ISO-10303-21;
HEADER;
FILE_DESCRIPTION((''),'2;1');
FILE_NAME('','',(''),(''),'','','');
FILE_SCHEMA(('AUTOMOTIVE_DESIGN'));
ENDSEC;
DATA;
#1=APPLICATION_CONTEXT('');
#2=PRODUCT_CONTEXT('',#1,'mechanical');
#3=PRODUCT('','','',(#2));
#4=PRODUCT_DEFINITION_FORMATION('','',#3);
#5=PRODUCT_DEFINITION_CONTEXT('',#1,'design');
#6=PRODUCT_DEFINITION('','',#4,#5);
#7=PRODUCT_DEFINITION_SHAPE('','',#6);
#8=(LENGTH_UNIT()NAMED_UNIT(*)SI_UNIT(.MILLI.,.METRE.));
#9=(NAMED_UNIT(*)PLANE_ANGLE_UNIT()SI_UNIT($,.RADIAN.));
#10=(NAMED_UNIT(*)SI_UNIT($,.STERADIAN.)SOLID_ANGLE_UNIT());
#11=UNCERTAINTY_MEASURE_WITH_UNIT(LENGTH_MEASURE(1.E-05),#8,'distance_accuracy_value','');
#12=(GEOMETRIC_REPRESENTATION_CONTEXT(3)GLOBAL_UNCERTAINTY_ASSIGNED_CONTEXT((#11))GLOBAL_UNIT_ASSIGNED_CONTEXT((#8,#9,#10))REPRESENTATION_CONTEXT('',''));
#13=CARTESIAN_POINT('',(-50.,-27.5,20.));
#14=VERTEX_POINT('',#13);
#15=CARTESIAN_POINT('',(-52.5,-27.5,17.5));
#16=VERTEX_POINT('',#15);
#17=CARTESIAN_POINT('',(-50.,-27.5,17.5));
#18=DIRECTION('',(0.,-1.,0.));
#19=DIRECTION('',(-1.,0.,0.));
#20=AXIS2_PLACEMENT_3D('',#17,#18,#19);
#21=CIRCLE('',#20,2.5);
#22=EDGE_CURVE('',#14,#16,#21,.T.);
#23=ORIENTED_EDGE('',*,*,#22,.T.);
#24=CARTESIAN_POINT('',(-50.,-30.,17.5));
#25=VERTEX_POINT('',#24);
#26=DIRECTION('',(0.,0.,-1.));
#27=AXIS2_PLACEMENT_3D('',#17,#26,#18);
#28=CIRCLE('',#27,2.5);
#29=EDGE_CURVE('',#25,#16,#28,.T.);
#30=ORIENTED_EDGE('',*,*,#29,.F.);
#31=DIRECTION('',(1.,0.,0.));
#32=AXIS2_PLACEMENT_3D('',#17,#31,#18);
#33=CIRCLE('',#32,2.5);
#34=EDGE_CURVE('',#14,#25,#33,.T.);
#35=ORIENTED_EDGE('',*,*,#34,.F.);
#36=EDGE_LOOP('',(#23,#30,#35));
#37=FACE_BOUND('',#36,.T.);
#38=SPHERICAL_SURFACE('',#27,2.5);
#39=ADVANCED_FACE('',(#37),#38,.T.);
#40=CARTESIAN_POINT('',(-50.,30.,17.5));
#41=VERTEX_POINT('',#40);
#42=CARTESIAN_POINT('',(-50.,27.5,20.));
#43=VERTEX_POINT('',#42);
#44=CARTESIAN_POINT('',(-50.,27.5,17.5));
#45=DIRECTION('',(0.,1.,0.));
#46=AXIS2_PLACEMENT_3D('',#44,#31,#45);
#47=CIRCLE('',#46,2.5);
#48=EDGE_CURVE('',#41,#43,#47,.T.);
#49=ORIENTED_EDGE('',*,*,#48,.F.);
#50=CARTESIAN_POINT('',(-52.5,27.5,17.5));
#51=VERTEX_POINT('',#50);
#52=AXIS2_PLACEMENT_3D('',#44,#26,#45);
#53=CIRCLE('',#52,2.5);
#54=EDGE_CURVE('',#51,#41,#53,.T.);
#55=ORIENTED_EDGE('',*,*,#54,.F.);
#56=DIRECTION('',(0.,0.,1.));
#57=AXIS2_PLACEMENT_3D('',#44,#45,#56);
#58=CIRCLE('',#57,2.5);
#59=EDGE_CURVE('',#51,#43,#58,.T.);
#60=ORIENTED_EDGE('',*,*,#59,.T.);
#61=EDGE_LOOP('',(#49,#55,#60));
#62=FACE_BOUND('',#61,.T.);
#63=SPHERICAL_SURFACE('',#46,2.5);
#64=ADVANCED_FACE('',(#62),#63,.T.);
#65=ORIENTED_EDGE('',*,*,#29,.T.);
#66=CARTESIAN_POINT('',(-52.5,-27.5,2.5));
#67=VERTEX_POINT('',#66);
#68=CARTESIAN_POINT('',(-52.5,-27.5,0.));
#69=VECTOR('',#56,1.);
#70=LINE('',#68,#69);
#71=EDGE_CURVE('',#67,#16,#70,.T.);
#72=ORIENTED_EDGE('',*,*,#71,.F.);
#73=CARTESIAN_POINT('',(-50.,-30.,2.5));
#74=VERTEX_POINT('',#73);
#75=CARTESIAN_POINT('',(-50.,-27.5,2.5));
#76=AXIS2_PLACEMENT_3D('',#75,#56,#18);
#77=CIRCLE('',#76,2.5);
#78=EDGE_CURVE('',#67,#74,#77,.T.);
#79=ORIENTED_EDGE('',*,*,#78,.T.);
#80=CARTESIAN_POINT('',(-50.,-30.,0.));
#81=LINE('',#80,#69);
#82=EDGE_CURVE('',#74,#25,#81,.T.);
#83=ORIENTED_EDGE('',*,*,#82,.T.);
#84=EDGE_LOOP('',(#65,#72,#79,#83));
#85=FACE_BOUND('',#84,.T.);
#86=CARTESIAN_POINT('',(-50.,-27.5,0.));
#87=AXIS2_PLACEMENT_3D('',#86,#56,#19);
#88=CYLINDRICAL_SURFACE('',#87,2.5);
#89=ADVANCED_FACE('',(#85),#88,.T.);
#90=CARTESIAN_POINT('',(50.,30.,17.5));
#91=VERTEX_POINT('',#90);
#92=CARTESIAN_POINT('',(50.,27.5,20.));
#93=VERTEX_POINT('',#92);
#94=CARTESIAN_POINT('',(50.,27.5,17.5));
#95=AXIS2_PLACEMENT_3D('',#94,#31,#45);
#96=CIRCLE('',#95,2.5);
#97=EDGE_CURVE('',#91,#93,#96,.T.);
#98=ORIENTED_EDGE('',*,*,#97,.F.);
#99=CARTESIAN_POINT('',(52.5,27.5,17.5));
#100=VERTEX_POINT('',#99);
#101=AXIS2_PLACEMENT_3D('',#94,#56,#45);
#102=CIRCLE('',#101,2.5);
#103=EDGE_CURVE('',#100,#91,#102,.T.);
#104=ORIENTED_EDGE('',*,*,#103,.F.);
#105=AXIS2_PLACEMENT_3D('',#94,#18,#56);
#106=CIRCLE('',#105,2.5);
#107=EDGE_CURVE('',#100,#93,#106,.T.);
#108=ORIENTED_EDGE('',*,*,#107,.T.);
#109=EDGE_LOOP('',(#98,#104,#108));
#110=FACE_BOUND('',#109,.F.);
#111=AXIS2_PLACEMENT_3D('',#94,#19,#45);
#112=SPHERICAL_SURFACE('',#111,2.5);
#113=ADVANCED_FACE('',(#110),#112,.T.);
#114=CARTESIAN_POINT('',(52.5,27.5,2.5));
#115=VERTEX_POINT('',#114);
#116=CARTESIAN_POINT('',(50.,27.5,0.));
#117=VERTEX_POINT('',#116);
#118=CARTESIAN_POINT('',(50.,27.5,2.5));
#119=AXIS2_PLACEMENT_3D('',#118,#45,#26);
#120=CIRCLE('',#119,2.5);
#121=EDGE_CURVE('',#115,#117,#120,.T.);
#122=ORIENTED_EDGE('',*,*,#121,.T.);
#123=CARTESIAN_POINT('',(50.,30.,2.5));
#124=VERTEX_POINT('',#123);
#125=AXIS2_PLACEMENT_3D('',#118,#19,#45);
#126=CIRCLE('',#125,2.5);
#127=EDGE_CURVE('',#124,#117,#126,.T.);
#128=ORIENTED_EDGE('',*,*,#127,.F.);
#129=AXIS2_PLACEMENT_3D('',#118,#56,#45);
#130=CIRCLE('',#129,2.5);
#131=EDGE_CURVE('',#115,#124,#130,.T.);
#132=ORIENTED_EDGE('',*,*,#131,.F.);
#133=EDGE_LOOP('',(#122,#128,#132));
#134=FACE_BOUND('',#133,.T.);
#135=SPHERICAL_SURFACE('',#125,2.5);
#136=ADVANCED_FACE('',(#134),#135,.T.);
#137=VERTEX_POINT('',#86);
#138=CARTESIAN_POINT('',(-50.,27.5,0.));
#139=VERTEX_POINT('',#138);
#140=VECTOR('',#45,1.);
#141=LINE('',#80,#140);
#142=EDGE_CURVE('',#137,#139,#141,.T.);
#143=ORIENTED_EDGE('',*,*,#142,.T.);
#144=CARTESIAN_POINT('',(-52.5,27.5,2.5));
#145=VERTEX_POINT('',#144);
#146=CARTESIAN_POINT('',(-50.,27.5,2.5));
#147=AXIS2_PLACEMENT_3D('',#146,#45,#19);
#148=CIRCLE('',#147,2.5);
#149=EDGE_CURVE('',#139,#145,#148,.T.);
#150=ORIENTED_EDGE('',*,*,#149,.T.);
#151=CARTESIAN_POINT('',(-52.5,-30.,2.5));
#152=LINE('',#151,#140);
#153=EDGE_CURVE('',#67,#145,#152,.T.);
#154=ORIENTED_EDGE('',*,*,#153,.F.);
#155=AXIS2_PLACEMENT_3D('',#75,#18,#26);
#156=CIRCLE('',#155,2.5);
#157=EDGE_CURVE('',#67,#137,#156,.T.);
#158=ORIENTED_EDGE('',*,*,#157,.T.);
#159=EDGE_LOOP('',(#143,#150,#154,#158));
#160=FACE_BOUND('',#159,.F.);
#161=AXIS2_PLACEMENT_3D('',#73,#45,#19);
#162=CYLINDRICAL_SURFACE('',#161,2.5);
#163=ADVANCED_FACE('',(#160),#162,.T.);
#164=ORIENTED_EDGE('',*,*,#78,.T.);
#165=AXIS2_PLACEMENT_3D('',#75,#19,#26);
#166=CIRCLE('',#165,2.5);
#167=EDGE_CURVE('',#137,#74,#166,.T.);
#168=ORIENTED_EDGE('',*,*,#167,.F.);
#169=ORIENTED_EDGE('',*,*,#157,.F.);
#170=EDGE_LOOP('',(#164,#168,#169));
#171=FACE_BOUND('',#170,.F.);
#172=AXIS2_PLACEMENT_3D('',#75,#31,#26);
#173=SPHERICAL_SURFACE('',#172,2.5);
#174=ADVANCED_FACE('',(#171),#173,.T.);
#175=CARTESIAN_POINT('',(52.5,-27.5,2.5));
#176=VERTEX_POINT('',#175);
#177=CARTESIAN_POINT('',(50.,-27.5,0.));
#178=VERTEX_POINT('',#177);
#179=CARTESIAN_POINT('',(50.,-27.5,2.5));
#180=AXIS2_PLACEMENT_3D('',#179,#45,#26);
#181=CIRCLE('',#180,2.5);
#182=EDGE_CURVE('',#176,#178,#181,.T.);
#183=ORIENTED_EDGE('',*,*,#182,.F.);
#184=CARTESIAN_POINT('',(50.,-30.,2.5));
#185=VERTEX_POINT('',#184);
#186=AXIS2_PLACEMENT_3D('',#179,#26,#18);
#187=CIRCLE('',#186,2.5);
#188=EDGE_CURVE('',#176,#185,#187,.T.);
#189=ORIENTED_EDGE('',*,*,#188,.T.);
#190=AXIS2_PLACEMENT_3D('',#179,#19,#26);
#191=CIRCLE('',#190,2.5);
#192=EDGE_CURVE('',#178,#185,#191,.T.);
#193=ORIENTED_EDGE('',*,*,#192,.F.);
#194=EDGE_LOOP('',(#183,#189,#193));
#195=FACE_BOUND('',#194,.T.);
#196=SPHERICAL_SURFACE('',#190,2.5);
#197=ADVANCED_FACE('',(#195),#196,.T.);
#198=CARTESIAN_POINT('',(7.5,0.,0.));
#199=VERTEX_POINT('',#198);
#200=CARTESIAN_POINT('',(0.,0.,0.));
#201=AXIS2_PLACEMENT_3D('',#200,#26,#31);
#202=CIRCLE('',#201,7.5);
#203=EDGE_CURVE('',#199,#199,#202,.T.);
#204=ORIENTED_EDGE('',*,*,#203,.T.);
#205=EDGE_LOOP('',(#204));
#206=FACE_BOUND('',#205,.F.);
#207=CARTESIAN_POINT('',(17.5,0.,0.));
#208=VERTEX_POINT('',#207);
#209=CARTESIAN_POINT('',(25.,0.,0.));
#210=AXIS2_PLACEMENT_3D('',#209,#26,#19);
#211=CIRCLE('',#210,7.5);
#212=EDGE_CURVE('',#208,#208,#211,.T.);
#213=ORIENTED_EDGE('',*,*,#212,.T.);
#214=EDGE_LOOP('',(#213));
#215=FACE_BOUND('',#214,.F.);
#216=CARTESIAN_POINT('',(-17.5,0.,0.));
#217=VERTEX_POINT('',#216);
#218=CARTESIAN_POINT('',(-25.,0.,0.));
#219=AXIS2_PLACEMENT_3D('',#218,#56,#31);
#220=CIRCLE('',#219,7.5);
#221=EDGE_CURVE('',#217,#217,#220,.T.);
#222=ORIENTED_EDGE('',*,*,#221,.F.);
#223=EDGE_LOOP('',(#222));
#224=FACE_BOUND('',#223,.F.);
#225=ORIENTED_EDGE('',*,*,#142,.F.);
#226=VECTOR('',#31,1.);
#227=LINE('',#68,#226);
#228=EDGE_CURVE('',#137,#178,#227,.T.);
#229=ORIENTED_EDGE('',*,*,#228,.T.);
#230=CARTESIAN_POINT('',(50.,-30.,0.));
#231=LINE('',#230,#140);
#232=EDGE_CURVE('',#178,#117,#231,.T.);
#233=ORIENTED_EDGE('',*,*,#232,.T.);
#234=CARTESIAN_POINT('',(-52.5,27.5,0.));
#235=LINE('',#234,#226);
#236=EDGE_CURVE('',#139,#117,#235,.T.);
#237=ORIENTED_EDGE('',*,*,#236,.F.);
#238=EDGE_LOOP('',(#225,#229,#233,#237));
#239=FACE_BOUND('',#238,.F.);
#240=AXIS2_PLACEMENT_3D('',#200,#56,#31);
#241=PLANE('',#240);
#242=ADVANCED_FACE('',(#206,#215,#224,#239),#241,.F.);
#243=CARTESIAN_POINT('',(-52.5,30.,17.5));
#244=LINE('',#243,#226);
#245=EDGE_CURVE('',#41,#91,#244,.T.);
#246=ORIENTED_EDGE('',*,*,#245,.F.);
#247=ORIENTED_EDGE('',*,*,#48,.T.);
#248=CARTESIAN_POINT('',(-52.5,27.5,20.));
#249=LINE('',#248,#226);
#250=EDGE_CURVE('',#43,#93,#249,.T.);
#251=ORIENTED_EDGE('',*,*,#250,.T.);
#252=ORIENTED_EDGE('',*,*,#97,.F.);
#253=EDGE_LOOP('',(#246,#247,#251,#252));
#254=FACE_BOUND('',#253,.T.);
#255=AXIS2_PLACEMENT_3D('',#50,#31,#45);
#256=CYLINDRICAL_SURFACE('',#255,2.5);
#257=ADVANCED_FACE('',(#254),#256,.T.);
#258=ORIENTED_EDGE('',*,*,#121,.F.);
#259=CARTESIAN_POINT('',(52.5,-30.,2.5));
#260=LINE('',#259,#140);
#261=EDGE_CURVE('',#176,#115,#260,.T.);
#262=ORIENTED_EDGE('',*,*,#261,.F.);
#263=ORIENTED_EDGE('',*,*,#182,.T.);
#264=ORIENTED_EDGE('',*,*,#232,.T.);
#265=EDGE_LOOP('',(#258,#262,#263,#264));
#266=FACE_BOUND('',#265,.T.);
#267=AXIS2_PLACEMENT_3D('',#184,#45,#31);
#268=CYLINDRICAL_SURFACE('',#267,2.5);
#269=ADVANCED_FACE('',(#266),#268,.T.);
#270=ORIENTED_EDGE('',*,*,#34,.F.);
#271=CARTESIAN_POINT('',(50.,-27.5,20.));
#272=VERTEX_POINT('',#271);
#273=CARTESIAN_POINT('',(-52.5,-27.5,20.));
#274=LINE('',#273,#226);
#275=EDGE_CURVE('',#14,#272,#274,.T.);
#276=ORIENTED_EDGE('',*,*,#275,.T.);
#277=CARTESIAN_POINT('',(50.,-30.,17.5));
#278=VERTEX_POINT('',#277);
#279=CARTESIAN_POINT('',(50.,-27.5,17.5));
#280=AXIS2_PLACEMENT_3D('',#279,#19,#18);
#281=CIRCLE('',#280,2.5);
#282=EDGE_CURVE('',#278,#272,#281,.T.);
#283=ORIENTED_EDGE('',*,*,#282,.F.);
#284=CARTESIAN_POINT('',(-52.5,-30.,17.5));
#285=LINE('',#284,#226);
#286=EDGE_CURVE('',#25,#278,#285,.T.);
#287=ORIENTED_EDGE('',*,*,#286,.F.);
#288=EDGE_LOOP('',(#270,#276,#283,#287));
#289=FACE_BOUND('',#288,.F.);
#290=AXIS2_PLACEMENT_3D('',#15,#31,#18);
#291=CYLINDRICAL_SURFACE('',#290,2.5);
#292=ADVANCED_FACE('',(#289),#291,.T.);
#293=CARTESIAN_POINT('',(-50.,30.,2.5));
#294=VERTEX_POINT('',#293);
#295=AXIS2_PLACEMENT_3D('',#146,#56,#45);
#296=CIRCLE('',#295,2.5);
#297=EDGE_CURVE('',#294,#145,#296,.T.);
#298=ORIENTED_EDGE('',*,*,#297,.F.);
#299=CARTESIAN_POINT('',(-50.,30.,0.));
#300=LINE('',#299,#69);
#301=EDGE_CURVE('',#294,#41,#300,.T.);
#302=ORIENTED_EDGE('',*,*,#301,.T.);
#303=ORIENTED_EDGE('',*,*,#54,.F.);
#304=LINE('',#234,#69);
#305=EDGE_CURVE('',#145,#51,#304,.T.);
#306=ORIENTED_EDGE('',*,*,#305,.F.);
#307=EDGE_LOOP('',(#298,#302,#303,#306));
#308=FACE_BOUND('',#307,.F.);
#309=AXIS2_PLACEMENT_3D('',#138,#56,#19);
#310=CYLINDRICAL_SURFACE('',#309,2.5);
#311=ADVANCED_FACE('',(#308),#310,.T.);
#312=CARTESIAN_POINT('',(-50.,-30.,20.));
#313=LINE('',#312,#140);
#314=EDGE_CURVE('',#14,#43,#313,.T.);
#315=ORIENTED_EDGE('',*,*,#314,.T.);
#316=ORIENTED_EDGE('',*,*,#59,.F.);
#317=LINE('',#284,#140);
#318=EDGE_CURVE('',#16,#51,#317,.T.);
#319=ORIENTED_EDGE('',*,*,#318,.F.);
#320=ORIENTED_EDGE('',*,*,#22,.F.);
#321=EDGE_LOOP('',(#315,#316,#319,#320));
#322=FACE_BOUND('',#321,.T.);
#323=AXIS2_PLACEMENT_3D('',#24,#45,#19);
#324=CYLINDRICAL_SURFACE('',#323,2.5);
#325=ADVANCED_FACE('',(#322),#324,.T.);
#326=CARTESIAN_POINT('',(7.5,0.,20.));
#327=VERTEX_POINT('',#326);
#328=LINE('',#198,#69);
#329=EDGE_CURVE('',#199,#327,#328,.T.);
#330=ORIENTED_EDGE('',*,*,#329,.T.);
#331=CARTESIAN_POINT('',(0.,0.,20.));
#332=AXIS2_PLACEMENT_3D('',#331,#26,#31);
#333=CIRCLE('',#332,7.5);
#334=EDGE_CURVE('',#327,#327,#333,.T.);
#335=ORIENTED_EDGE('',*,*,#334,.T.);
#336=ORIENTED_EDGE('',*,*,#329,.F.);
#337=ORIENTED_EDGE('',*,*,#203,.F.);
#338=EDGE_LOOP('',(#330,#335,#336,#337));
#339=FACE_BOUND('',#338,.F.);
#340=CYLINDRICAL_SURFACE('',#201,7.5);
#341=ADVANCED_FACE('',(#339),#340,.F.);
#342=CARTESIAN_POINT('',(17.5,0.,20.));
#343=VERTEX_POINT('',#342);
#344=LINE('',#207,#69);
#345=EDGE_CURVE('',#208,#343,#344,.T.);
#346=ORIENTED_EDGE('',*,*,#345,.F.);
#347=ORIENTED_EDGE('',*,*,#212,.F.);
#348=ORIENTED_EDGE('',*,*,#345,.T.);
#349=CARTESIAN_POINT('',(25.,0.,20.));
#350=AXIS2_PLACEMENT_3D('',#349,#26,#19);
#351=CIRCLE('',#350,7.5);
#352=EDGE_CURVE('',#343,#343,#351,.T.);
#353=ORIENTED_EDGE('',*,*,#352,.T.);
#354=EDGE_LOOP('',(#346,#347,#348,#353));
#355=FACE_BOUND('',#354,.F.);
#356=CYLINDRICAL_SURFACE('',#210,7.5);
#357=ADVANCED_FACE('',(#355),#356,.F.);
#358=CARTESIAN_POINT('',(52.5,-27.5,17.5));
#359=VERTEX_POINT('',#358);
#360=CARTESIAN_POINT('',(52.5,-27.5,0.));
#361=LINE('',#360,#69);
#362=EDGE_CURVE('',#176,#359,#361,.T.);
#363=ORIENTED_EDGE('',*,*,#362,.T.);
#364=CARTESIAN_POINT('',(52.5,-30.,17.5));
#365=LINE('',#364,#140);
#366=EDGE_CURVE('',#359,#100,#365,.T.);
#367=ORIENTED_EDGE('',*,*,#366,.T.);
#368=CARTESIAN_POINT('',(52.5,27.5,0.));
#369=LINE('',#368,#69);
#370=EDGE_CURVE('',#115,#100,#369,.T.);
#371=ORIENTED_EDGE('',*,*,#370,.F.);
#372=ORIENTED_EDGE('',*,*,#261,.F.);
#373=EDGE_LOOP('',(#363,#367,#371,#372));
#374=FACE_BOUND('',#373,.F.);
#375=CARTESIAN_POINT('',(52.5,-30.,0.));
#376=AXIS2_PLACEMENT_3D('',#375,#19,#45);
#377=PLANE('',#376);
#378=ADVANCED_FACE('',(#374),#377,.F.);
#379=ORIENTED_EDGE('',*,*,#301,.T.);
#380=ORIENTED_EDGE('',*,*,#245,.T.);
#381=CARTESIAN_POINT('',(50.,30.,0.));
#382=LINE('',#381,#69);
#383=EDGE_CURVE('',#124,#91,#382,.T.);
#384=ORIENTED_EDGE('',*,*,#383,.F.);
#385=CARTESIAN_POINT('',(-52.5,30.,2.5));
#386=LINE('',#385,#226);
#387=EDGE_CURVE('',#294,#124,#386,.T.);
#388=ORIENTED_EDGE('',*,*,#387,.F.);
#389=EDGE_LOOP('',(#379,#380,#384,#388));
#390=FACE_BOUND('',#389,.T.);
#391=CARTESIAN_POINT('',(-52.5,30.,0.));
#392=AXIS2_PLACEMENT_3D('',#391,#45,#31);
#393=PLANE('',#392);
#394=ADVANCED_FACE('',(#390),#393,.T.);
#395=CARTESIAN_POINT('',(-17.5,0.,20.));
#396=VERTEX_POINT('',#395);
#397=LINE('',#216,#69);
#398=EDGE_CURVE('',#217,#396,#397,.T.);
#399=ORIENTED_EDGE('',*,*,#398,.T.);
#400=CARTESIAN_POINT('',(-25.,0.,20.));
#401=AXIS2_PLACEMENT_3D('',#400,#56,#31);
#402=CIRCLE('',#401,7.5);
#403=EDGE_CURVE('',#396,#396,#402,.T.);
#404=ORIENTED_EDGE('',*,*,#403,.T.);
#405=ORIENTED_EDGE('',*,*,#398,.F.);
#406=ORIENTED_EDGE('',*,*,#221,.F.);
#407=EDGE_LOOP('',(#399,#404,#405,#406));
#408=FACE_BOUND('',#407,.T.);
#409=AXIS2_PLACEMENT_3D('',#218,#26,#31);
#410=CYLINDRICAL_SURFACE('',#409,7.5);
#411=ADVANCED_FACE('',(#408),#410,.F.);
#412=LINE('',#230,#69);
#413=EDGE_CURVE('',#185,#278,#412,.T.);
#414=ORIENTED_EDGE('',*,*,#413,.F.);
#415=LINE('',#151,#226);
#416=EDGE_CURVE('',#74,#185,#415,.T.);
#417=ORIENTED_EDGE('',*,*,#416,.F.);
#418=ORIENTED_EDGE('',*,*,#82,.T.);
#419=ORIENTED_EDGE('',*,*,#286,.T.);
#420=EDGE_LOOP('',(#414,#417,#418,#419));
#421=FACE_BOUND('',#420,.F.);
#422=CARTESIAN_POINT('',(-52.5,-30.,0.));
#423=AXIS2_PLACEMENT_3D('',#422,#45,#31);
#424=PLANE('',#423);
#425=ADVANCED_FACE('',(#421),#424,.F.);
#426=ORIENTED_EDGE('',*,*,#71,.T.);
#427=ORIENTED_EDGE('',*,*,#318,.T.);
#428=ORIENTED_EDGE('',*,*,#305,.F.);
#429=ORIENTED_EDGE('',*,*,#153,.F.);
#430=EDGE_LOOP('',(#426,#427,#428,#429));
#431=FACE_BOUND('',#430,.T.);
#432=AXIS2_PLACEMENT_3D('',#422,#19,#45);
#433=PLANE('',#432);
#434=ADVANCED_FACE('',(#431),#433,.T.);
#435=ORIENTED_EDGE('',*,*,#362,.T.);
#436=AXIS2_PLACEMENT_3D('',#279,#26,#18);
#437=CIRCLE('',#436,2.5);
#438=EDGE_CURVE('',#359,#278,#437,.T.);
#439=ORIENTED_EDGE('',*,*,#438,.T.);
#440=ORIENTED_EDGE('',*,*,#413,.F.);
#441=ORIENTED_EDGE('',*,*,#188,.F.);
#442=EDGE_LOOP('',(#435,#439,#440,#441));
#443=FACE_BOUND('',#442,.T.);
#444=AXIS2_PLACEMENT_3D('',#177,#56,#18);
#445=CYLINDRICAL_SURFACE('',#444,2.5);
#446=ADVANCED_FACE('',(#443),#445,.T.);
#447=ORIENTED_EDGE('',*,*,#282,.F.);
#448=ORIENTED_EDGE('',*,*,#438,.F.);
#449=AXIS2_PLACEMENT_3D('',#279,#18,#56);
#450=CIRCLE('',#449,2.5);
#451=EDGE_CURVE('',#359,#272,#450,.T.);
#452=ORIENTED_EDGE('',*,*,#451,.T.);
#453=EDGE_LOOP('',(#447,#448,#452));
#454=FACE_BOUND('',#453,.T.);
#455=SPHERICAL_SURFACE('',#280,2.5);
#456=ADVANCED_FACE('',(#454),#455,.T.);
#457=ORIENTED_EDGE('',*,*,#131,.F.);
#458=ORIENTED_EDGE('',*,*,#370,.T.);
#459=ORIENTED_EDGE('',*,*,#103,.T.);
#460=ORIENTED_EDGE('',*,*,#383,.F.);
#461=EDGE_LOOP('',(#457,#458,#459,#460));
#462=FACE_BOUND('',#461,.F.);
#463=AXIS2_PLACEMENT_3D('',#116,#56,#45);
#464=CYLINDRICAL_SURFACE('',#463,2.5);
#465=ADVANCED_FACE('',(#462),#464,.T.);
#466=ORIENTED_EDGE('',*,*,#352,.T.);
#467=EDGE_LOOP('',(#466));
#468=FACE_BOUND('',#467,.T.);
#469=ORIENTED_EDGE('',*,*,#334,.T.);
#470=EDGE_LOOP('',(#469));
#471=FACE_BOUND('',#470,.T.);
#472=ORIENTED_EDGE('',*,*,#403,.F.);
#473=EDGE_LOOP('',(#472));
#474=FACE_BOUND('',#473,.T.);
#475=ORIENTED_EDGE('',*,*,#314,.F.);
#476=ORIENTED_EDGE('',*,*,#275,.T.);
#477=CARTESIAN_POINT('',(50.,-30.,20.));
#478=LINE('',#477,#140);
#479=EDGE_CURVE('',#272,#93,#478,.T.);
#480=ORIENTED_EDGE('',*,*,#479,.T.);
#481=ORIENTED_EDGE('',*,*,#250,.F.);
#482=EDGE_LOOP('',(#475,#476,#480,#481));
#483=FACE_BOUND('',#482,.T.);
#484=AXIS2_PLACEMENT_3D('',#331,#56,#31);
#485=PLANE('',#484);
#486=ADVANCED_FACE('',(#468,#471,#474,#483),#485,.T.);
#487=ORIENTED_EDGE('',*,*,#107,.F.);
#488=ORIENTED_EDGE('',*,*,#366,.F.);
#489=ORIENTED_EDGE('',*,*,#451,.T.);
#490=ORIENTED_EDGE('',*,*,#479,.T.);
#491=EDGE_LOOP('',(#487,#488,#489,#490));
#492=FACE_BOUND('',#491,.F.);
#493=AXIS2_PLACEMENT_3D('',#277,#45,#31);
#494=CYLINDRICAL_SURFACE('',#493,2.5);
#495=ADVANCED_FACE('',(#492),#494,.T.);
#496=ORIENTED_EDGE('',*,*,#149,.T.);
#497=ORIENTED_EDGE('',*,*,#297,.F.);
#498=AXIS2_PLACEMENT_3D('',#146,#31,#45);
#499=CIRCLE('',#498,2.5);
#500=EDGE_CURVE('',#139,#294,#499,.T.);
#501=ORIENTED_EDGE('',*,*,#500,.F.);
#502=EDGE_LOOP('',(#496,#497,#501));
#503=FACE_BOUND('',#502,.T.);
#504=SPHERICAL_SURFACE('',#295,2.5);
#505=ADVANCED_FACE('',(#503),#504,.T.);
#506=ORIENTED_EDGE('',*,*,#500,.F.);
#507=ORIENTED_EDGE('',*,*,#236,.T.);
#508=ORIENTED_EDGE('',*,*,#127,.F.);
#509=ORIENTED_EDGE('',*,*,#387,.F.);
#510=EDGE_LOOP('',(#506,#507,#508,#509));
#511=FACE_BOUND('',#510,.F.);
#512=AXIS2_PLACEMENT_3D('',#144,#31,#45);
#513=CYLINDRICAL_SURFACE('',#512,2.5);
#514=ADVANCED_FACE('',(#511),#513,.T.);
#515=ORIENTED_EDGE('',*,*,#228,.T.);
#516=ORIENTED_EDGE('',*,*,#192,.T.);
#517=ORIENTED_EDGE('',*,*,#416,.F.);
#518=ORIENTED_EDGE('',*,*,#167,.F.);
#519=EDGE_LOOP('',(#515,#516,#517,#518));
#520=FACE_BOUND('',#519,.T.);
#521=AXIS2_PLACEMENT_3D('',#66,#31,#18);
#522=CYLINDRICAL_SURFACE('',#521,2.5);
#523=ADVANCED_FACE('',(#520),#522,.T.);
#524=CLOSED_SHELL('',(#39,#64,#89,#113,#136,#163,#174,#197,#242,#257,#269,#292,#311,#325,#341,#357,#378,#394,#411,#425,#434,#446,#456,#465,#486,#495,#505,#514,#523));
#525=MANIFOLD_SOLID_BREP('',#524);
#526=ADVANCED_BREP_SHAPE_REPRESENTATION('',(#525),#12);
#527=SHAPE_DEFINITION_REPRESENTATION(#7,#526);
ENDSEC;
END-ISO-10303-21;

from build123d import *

# Parameters (mm, degrees)
F0_W     = 105
F0_H     = 60
F0_R     = 7.5
F1_DEPTH = 20
F2_R     = 2.5


with BuildPart() as f1:
    # F0 (on Top) → F1 (new body)
    with BuildSketch(Plane.XY):
        Rectangle(F0_W, F0_H)
        with Locations((-25, 0)):
            Circle(F0_R, mode=Mode.SUBTRACT)
        with BuildLine():
            ThreePointArc((-7.5, 0), (0, 7.5), (7.5, 0))
            ThreePointArc((7.5, 0), (0, -7.5), (-7.5, 0))
        make_face(mode=Mode.SUBTRACT)
        with BuildLine():
            ThreePointArc((32.5, 0), (25, -7.5), (17.5, 0))
            ThreePointArc((17.5, 0), (25, 7.5), (32.5, 0))
        make_face(mode=Mode.SUBTRACT)
    extrude(amount=F1_DEPTH)

    # F2
    f2_edges = [f1.edges().sort_by_distance(p)[0] for p in [
        (0, 30, 20),
        (-52.5, 30, 10),
        (0, 30, 0),
        (52.5, 30, 10),
        (0, -30, 0),
        (-52.5, 0, 0),
        (52.5, 0, 0),
        (-52.5, -30, 10),
        (0, -30, 20),
        (52.5, -30, 10),
        (-52.5, 0, 20),
        (52.5, 0, 20),
    ]]
    fillet(f2_edges, radius=F2_R)


solid = f1.part
